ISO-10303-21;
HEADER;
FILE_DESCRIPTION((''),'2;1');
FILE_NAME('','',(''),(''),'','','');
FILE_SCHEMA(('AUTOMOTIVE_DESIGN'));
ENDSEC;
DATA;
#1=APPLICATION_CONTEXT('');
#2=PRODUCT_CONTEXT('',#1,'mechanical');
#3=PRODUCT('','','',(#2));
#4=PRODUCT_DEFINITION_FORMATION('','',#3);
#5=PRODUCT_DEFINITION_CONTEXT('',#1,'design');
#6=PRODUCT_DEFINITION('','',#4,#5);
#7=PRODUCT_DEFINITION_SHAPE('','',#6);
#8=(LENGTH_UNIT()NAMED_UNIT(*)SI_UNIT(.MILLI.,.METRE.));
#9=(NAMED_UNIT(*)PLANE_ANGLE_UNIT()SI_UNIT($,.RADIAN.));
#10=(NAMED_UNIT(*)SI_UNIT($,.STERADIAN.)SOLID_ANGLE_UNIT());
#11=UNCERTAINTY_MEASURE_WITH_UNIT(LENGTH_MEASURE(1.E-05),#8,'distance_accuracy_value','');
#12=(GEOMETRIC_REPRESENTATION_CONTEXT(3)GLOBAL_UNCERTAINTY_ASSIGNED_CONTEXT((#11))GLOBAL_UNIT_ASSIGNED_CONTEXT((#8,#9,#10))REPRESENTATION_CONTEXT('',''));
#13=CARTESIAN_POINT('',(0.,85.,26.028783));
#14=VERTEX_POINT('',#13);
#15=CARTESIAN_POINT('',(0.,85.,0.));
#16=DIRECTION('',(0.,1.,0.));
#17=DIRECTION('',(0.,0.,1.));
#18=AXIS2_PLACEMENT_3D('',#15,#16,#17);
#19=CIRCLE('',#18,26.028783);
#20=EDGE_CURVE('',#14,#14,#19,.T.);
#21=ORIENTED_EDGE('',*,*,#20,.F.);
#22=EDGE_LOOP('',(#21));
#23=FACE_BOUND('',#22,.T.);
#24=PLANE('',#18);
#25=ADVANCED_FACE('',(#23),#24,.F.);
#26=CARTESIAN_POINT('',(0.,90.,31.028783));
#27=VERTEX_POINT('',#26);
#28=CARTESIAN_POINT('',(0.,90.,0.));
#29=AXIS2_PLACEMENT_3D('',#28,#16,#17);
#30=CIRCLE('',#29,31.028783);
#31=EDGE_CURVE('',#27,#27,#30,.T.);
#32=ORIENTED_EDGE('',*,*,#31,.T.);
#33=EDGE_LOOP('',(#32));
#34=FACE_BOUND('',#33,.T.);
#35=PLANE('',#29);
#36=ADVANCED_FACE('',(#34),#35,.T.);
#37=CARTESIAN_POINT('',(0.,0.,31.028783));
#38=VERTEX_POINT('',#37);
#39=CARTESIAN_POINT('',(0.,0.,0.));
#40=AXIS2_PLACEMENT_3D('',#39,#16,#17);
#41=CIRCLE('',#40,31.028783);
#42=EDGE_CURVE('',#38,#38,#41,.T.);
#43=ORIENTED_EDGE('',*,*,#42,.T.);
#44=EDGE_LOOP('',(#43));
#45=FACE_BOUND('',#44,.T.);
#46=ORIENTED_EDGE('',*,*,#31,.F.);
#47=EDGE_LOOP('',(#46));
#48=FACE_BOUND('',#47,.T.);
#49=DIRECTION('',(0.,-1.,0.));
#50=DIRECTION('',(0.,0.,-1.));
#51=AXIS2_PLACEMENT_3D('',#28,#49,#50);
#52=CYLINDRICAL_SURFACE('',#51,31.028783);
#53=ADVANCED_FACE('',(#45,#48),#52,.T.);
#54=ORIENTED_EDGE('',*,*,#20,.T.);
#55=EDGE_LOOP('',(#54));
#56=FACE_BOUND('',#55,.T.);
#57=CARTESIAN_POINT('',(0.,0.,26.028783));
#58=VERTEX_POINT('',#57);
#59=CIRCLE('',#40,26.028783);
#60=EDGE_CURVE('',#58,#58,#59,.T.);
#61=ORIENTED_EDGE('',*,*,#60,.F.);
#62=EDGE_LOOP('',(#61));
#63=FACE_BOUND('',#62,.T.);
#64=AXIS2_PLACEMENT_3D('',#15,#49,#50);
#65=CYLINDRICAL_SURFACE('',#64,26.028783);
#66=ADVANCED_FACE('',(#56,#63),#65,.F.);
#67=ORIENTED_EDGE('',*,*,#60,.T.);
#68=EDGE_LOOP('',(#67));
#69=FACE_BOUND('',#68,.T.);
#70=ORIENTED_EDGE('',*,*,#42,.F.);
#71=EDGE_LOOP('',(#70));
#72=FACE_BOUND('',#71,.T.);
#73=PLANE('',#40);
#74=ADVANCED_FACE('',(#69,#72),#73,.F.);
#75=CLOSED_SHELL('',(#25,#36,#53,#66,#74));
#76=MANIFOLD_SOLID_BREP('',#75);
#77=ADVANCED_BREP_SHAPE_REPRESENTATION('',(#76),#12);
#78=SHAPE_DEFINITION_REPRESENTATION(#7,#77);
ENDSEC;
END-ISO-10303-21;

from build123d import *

# Parameters (mm, degrees)
SKETCH1_R           = 31.028783333
BOSS_EXTRUDE1_DEPTH = 90
SKETCH1_5_R         = 26.028783333
CUT_EXTRUDE2_DEPTH  = 85


with BuildPart() as part:
    # Sketch1 → Boss-Extrude1 (new body)
    with BuildSketch(Plane(origin=(0, 0, 0), x_dir=(1, 0, 0), z_dir=(0, 1, 0))):
        Circle(SKETCH1_R)
    extrude(amount=BOSS_EXTRUDE1_DEPTH)

    # Sketch1<5> → Cut-Extrude2 (cut)
    with BuildSketch(Plane(origin=(0, 0, 0), x_dir=(1, 0, 0), z_dir=(0, 1, 0))):
        Circle(SKETCH1_5_R)
    extrude(amount=CUT_EXTRUDE2_DEPTH, mode=Mode.SUBTRACT)


solid = part.part
